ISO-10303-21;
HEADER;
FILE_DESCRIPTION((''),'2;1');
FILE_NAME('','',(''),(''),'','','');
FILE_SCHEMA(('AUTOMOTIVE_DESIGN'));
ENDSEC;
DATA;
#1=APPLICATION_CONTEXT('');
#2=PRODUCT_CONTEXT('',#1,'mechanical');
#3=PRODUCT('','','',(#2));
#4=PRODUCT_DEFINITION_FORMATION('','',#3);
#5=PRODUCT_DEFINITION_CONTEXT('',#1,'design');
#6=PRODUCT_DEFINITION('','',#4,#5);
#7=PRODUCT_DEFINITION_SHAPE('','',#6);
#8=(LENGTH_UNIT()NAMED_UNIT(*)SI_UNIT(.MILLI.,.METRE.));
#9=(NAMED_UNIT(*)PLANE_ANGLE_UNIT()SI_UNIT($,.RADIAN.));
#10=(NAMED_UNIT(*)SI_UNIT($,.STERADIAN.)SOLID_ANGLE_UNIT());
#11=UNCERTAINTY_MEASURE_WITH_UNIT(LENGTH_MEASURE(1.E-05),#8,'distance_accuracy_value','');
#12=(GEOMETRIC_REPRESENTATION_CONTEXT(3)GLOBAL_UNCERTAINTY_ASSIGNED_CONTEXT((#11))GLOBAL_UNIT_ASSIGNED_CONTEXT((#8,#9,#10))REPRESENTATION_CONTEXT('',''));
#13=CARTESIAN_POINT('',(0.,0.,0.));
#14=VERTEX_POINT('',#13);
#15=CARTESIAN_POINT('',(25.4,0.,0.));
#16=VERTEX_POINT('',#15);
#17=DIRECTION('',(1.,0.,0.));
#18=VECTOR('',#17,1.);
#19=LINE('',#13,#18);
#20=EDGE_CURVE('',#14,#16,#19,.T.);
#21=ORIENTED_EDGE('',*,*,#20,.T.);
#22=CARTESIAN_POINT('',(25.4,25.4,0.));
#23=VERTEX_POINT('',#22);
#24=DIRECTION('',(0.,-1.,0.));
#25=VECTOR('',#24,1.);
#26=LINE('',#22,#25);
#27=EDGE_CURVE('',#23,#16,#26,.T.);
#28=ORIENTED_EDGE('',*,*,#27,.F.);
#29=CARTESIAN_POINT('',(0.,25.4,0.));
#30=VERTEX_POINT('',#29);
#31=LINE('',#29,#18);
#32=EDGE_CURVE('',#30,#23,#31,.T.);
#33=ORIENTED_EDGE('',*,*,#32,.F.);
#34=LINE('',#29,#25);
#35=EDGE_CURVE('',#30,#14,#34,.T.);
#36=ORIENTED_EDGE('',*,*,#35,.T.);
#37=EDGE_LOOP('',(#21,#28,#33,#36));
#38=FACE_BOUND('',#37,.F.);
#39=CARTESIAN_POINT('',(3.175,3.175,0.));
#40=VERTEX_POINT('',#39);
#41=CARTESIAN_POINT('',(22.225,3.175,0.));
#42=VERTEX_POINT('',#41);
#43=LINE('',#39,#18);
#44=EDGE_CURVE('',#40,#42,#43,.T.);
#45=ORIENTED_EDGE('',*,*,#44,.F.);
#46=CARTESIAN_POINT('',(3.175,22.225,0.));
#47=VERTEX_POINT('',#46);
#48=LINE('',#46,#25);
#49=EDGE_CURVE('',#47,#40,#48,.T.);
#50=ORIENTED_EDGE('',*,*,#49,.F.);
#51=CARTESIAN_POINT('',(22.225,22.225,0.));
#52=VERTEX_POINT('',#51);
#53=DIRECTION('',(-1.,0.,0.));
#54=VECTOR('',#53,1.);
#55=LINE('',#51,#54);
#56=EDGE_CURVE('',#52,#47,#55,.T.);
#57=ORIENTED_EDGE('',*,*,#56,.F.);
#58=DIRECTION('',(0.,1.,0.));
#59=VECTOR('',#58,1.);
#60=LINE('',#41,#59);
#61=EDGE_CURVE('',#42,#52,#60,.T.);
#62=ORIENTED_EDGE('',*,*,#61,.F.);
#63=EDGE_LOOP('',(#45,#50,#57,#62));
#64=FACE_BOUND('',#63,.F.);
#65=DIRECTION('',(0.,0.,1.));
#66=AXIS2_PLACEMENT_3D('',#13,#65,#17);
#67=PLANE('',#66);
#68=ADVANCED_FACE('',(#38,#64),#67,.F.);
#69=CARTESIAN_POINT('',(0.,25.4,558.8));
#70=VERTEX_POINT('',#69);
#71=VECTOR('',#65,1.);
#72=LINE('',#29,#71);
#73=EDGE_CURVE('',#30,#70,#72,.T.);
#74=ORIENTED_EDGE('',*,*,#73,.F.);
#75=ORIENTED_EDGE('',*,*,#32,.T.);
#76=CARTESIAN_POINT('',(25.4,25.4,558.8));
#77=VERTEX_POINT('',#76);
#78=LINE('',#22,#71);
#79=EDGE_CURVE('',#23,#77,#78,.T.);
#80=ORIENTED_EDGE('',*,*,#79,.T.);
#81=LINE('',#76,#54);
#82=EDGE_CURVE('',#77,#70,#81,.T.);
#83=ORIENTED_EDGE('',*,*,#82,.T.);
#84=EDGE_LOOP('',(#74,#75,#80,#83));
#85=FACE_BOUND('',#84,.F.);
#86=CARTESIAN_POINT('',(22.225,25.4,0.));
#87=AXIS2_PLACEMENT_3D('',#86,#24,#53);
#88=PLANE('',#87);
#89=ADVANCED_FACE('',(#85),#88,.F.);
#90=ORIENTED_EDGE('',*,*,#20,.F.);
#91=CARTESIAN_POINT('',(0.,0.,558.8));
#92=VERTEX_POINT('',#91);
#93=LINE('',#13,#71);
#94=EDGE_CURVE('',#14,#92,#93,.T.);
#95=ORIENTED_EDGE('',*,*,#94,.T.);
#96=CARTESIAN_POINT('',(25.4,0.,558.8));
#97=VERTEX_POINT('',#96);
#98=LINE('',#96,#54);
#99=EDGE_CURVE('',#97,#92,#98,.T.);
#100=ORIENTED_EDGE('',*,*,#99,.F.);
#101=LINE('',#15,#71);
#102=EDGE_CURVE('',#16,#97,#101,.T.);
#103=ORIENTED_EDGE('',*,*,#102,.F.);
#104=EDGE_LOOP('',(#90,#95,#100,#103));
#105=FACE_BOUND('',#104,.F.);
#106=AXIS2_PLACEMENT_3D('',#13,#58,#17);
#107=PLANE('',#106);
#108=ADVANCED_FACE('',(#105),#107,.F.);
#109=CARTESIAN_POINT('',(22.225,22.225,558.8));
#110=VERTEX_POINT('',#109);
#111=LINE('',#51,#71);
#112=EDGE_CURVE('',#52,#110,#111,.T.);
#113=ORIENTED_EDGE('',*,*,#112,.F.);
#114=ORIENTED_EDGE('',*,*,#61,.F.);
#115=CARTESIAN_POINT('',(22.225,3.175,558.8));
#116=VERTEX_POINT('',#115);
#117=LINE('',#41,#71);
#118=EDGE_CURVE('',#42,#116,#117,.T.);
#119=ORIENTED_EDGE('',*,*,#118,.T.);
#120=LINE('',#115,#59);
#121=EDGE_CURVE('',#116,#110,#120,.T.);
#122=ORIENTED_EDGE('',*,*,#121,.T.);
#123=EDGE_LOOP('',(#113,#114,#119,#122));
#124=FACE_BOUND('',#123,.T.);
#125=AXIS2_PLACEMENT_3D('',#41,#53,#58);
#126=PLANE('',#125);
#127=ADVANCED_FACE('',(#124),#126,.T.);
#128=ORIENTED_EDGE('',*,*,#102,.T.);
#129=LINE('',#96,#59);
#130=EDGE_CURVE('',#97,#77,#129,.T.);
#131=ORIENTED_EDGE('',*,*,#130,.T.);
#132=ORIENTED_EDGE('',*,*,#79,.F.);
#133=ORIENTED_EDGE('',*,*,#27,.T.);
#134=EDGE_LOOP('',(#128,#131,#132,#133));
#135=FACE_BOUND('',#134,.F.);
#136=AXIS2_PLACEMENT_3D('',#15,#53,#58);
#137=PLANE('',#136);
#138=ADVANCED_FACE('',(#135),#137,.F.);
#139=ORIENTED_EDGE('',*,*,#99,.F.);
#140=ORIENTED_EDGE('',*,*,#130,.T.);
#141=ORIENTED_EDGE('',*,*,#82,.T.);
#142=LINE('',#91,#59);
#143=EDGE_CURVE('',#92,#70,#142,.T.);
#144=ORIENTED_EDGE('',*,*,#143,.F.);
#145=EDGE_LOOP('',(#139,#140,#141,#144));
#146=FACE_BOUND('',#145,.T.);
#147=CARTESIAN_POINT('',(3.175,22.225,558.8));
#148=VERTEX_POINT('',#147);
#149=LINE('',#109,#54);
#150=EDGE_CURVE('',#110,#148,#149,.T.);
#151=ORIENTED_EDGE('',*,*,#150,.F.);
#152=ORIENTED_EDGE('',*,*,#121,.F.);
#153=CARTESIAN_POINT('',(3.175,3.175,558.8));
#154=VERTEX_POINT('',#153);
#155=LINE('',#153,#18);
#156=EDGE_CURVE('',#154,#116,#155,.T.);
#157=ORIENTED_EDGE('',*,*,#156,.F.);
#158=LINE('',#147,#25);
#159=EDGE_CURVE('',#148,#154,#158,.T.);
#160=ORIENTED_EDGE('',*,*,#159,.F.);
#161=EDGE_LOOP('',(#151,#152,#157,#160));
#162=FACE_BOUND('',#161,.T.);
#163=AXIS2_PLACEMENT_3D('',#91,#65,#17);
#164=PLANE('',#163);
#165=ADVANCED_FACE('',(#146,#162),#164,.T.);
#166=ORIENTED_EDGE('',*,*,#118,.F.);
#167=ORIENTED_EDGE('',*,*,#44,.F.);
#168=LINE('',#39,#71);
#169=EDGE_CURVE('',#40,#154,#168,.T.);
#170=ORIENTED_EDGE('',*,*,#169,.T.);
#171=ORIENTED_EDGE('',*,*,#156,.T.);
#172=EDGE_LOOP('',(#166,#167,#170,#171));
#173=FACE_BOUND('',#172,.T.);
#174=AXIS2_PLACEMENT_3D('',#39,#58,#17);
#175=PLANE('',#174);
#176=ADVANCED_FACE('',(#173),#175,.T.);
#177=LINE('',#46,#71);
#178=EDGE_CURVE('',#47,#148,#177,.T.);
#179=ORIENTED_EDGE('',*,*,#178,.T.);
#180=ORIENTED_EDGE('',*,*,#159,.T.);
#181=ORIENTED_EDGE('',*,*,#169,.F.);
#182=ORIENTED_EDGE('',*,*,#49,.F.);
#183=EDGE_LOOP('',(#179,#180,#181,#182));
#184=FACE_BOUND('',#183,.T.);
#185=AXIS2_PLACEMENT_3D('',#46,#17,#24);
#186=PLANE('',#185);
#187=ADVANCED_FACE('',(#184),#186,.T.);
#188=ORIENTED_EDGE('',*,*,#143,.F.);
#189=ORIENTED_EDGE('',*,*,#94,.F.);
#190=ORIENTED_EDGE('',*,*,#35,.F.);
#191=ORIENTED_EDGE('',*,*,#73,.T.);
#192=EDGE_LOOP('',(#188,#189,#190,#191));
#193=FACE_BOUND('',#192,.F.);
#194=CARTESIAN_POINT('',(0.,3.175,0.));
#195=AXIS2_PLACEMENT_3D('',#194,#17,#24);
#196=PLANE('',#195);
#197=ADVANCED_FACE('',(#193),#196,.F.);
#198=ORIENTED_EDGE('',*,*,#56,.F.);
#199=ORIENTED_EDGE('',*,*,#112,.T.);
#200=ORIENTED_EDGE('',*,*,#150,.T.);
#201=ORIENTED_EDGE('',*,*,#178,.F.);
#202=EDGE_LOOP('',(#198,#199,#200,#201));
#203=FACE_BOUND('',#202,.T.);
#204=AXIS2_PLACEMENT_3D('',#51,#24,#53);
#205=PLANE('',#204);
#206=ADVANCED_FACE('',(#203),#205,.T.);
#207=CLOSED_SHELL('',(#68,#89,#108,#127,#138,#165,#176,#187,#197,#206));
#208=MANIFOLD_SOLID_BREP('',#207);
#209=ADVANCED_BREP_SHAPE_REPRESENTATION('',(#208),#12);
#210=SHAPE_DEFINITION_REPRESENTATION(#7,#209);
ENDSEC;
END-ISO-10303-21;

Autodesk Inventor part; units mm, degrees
ref_plane "YZ Plane" through (0, 0, 0) normal (1, 0, 0) x (0, 1, 0)
ref_plane "XZ Plane" through (0, 0, 0) normal (0, 1, 0) x (-1, 0, 0)
ref_plane "XY Plane" through (0, 0, 0) normal (0, 0, 1) x (1, 0, 0)
sketch "Sketch1" plane through (0, 0, 0) normal (0, 0, 1) x (1, 0, 0)
  line L0 (0, 0) -> (25.4, 0)
  line L1 (25.4, 0) -> (25.4, 25.4)
  line L2 (25.4, 25.4) -> (0, 25.4)
  line L3 (0, 25.4) -> (0, 0)
  line L4 (0, 0) -> (3.175, 0)
  line L5 (3.175, 0) -> (3.175, 3.175)
  line L6 (3.175, 3.175) -> (0, 3.175)
  line L7 (0, 3.175) -> (0, 0)
  line L8 (25.4, 25.4) -> (22.225, 25.4)
  line L9 (22.225, 25.4) -> (22.225, 22.225)
  line L10 (22.225, 22.225) -> (25.4, 22.225)
  line L11 (25.4, 22.225) -> (25.4, 25.4)
  line L12 (22.225, 22.225) -> (3.175, 22.225)
  line L13 (3.175, 22.225) -> (3.175, 3.175)
  line L14 (3.175, 3.175) -> (22.225, 3.175)
  line L15 (22.225, 3.175) -> (22.225, 22.225)
  dimension "d0" = 25.4
  dimension "d1" = 25.4
  dimension "d2" = 3.175
  dimension "d3" = 3.175
  dimension "d4" = 3.175
  dimension "d5" = 3.175
extrude "Extrusion1" add sketch "Sketch1" along normal blind 558.8 contours L3 L6 L5 L0 | L5 L14 L15 L10 L1 L0 | L3 L2 L9 L12 L13 L6 | L10 L9 L2 L1
properties part number "22inSqTube" material "Steel, Mild"
